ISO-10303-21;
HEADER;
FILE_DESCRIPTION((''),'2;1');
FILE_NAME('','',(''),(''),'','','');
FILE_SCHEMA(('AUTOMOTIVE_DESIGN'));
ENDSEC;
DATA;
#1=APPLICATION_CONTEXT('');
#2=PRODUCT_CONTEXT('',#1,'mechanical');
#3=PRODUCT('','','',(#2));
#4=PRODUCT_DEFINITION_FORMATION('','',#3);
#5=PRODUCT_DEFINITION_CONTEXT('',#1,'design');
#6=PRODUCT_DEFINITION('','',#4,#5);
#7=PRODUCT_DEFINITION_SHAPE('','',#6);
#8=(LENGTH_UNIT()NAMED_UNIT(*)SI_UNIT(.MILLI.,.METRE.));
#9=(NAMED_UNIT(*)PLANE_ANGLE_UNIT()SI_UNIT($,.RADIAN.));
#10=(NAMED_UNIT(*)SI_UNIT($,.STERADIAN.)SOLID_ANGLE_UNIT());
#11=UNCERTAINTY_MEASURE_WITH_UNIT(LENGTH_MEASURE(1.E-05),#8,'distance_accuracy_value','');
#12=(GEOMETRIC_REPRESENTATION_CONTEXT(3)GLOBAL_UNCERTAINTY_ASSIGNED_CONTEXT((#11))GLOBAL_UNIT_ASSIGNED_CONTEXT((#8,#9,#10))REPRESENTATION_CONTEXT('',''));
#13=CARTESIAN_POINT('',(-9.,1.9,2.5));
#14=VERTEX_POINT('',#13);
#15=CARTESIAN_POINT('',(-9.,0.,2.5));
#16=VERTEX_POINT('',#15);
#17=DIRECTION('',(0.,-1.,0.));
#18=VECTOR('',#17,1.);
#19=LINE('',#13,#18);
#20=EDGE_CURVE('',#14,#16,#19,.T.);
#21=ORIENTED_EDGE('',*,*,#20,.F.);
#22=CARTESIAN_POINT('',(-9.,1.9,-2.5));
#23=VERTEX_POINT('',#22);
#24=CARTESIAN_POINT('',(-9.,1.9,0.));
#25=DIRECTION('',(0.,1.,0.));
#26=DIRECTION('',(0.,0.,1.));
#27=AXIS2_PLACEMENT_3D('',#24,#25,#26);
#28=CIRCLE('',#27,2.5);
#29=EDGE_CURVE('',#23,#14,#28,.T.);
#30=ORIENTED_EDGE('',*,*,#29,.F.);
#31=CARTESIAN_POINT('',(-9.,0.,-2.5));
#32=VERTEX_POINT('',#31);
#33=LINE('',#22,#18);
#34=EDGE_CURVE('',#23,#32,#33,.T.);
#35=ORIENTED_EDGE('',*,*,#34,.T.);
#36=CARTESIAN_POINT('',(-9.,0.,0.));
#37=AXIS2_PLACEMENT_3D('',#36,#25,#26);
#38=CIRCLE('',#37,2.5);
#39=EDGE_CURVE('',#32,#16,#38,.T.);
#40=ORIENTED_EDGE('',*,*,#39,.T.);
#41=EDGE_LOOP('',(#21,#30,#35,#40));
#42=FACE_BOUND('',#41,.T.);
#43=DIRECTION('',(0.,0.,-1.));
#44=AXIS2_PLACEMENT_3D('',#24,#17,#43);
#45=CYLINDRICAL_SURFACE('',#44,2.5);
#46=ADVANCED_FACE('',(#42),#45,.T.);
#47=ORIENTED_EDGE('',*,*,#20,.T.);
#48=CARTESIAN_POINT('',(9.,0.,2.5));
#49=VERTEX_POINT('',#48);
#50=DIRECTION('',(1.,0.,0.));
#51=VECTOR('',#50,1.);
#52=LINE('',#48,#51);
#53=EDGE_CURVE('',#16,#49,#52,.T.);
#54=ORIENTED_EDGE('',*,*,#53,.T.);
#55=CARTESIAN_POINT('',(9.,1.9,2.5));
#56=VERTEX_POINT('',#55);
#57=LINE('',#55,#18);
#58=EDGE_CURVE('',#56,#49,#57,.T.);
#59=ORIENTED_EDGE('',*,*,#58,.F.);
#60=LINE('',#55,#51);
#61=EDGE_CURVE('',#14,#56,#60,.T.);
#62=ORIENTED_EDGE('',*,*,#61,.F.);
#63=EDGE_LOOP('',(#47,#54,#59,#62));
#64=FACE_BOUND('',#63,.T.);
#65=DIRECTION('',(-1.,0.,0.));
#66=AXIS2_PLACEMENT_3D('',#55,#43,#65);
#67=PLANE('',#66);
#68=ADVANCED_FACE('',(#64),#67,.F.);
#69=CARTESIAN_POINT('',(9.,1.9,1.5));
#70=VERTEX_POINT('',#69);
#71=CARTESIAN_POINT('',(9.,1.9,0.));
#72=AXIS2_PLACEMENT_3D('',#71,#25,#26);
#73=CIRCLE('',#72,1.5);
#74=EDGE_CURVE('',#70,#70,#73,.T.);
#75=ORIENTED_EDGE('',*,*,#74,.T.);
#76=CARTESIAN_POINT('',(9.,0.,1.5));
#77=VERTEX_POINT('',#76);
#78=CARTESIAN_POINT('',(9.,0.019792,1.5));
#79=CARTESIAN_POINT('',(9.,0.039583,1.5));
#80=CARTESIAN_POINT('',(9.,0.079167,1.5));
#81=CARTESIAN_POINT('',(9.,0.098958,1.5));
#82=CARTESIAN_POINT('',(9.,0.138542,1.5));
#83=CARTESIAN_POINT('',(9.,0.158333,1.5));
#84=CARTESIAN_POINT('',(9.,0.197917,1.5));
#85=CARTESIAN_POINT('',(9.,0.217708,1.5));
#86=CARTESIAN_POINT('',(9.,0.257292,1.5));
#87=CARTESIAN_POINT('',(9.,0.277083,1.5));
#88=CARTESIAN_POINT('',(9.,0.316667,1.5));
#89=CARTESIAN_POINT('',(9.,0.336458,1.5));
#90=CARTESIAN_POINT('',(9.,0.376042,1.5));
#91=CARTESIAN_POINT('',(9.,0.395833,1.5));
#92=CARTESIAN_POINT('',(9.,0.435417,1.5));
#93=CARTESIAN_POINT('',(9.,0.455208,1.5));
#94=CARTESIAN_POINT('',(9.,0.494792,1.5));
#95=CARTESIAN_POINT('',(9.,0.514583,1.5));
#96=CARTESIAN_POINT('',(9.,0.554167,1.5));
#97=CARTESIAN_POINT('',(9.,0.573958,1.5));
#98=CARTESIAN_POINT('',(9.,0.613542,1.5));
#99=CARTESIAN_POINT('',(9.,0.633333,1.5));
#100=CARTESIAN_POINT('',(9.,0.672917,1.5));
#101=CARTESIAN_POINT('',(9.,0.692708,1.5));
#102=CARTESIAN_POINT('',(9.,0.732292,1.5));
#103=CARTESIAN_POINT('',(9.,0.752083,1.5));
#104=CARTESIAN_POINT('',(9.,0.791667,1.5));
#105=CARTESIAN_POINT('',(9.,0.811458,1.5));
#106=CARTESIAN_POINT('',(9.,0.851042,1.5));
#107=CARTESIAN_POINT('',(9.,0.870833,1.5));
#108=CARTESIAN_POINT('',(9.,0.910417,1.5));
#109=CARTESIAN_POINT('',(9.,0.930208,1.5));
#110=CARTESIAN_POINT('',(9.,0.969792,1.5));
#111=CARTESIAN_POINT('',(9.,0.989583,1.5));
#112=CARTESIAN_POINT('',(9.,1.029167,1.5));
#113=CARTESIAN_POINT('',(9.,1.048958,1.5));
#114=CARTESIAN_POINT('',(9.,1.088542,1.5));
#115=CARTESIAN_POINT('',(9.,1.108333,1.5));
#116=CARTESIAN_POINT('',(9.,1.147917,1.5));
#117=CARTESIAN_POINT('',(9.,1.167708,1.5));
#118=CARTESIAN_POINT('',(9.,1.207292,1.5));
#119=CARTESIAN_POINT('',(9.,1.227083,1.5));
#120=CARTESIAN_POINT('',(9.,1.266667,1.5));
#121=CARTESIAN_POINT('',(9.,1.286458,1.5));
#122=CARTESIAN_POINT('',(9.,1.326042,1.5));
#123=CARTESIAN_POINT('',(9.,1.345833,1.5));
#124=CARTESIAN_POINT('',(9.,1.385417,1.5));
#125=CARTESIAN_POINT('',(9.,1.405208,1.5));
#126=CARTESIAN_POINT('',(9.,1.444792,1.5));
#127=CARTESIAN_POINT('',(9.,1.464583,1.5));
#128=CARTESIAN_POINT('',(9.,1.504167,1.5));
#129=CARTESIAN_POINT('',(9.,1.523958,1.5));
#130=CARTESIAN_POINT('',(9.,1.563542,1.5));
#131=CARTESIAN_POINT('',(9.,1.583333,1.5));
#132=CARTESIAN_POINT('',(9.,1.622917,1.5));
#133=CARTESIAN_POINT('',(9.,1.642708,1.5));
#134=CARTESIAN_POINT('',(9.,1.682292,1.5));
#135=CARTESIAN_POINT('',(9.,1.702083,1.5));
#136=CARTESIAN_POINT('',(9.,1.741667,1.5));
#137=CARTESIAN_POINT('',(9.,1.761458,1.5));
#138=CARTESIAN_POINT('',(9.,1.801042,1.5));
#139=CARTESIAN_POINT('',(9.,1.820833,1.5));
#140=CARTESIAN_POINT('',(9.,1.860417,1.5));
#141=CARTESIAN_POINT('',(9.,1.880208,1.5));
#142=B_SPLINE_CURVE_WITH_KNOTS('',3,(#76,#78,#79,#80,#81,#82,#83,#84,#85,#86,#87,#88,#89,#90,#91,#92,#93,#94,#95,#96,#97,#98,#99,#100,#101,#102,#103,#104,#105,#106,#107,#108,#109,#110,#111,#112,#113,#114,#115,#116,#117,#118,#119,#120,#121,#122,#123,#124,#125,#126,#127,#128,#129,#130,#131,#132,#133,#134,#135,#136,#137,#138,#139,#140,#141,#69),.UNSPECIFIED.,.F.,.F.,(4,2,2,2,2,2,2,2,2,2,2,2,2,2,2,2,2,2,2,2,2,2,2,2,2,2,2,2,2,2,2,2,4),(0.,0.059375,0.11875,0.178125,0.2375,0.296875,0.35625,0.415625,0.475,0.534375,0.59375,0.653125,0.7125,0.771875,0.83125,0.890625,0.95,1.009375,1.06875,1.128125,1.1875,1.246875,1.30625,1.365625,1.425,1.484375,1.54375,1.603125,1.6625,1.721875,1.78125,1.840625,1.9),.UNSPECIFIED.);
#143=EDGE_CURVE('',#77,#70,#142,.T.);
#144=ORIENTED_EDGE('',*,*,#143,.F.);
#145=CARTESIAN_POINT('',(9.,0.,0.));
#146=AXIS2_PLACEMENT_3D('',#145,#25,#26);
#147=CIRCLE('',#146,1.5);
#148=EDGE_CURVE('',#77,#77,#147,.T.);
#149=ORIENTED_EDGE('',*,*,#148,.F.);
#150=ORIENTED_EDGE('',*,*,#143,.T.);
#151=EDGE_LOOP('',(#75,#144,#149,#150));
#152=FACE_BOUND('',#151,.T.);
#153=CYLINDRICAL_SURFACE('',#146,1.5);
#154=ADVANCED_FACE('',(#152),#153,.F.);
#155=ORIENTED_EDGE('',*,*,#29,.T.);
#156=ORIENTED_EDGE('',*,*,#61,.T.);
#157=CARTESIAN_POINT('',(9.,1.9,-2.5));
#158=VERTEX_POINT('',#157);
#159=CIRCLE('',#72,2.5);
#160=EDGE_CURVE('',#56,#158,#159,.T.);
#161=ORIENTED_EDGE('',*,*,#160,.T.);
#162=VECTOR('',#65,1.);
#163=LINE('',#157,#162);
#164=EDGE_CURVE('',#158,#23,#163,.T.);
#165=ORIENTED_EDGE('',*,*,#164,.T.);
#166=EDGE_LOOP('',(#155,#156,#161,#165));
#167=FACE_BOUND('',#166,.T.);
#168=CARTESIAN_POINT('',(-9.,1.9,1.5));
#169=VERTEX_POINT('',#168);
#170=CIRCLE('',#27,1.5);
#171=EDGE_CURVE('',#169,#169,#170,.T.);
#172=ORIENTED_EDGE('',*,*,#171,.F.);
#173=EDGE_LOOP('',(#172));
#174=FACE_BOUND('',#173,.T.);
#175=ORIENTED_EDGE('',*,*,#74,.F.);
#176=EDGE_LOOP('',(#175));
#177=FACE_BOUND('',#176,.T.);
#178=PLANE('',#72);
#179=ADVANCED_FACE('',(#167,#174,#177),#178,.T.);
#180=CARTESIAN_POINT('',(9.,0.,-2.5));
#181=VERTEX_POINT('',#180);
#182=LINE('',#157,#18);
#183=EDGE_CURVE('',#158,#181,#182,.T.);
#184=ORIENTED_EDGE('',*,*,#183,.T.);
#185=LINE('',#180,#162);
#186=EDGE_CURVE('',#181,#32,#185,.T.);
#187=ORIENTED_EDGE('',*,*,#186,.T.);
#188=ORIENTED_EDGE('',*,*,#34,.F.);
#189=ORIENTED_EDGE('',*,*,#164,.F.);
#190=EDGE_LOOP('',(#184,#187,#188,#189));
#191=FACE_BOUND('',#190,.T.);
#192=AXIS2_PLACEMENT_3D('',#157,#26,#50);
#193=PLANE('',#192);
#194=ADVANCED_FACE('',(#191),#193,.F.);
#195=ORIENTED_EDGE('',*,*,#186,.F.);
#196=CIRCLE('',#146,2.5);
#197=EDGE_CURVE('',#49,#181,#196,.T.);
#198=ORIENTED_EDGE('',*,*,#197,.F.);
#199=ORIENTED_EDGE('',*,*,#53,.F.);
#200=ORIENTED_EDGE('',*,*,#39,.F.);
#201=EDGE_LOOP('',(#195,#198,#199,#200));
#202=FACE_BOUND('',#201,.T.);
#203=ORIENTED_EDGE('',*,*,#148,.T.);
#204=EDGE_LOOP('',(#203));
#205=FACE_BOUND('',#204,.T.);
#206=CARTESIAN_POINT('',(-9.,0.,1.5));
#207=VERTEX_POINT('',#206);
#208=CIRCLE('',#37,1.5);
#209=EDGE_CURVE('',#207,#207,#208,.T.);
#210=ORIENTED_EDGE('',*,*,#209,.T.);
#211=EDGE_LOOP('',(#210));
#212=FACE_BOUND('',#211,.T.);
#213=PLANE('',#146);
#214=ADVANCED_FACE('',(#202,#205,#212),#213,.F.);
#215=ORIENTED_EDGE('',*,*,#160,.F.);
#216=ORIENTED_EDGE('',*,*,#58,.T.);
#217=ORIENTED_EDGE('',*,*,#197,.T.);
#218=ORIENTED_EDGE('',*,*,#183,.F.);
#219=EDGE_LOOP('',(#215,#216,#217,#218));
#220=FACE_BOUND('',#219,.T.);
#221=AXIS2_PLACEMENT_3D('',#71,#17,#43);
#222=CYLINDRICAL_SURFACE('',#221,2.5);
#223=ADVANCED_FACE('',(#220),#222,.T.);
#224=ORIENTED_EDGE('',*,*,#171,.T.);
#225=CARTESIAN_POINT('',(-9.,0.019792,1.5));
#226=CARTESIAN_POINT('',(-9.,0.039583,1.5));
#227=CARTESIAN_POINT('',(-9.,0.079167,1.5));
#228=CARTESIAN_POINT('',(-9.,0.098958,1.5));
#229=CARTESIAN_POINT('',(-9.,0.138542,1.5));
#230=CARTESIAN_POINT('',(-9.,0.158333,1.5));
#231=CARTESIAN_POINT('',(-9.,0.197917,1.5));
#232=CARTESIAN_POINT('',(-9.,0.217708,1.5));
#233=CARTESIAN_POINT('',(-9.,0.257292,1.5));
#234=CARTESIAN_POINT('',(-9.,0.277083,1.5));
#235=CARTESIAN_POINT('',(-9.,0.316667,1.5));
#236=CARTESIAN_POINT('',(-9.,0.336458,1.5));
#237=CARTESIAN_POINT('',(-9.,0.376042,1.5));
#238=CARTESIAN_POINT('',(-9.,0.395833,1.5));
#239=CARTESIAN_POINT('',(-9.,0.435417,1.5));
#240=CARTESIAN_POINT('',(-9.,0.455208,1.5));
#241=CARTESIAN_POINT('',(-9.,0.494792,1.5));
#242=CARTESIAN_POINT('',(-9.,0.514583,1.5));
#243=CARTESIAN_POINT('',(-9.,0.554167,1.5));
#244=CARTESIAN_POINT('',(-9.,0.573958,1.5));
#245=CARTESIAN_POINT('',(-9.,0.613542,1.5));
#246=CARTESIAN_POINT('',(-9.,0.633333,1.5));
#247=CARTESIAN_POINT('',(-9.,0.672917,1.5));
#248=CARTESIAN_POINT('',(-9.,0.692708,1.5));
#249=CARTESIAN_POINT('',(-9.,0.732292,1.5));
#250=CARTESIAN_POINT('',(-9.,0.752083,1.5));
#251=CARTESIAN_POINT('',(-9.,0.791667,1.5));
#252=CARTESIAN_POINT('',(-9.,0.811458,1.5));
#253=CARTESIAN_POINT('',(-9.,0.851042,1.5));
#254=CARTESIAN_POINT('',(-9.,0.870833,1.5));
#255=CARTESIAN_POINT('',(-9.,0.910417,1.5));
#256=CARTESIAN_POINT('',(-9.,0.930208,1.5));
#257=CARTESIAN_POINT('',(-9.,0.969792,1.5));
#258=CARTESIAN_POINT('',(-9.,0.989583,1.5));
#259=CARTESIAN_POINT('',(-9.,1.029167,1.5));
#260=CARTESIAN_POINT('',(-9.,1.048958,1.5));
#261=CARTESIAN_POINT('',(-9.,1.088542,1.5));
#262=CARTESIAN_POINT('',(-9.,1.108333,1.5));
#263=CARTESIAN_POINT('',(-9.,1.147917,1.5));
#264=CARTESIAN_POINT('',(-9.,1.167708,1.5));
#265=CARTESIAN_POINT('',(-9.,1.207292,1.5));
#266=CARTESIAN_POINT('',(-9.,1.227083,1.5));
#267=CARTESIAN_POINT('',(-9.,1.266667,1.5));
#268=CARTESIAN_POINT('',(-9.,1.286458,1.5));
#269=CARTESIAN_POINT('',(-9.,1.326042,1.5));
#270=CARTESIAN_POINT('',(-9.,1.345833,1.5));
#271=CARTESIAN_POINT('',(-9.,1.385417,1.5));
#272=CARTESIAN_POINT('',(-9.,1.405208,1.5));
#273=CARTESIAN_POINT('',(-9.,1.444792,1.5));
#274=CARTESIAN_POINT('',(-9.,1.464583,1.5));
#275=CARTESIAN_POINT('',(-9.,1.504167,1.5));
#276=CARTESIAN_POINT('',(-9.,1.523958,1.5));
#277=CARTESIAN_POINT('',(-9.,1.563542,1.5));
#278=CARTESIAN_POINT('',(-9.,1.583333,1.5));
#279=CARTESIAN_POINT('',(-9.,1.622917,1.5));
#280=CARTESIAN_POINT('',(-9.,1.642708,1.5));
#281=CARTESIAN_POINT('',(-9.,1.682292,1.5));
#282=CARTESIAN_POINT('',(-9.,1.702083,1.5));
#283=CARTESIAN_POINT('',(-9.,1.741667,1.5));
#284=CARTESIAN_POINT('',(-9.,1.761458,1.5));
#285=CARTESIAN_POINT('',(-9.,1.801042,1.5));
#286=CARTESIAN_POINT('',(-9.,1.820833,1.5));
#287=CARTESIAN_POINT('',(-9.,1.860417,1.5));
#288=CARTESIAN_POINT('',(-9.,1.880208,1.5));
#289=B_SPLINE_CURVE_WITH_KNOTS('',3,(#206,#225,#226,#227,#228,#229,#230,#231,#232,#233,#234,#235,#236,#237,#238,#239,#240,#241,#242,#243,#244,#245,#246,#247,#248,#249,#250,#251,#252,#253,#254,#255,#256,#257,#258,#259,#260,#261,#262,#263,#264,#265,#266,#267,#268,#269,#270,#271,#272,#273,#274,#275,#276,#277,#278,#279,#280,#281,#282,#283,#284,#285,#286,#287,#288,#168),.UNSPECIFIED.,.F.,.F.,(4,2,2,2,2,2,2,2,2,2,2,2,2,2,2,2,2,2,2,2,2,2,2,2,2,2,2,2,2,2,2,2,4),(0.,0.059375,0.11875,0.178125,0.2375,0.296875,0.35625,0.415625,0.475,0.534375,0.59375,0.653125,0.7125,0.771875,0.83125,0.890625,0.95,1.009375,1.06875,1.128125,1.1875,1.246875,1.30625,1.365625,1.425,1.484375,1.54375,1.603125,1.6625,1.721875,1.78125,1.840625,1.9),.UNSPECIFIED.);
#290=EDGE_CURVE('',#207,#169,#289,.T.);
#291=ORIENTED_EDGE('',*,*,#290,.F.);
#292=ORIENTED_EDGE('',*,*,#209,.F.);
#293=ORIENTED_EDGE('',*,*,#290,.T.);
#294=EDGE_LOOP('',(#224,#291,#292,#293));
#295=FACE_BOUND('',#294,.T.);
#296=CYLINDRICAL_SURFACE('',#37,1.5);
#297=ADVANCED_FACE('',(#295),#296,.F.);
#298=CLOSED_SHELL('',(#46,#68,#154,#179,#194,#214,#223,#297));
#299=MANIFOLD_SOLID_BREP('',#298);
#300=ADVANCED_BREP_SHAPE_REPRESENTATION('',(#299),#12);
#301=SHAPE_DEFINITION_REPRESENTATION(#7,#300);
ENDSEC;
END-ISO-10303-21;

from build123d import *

# Parameters (mm, degrees)
BOSS_EXTRUDE1_DEPTH = 1.9
SKETCH2_R           = 1.5
CUT_EXTRUDE1_DEPTH  = 12.920989892


with BuildPart() as part:
    # Sketch1 → Boss-Extrude1 (new body)
    with BuildSketch(Plane(origin=(0, 0, 0), x_dir=(1, 0, 0), z_dir=(0, 1, 0))):
        with BuildLine():
            Line((9, -2.5), (-9, -2.5))
            ThreePointArc((-9, -2.5), (-11.5, 0), (-9, 2.5))
            Line((-9, 2.5), (9, 2.5))
            ThreePointArc((9, 2.5), (11.5, 0), (9, -2.5))
        make_face()
    extrude(amount=BOSS_EXTRUDE1_DEPTH)

    # Sketch2 → Cut-Extrude1 (cut, through all)
    with BuildSketch(Plane(origin=(0, 1.9, 0), x_dir=(1, 0, 0), z_dir=(0, 1, 0))):
        with Locations(Location((9, 0, 0), (0, 0, 270))):
            Circle(SKETCH2_R)
        with Locations(Location((-9, 0, 0), (0, 0, 270))):
            Circle(SKETCH2_R)
    extrude(amount=-CUT_EXTRUDE1_DEPTH, mode=Mode.SUBTRACT)


solid = part.part
